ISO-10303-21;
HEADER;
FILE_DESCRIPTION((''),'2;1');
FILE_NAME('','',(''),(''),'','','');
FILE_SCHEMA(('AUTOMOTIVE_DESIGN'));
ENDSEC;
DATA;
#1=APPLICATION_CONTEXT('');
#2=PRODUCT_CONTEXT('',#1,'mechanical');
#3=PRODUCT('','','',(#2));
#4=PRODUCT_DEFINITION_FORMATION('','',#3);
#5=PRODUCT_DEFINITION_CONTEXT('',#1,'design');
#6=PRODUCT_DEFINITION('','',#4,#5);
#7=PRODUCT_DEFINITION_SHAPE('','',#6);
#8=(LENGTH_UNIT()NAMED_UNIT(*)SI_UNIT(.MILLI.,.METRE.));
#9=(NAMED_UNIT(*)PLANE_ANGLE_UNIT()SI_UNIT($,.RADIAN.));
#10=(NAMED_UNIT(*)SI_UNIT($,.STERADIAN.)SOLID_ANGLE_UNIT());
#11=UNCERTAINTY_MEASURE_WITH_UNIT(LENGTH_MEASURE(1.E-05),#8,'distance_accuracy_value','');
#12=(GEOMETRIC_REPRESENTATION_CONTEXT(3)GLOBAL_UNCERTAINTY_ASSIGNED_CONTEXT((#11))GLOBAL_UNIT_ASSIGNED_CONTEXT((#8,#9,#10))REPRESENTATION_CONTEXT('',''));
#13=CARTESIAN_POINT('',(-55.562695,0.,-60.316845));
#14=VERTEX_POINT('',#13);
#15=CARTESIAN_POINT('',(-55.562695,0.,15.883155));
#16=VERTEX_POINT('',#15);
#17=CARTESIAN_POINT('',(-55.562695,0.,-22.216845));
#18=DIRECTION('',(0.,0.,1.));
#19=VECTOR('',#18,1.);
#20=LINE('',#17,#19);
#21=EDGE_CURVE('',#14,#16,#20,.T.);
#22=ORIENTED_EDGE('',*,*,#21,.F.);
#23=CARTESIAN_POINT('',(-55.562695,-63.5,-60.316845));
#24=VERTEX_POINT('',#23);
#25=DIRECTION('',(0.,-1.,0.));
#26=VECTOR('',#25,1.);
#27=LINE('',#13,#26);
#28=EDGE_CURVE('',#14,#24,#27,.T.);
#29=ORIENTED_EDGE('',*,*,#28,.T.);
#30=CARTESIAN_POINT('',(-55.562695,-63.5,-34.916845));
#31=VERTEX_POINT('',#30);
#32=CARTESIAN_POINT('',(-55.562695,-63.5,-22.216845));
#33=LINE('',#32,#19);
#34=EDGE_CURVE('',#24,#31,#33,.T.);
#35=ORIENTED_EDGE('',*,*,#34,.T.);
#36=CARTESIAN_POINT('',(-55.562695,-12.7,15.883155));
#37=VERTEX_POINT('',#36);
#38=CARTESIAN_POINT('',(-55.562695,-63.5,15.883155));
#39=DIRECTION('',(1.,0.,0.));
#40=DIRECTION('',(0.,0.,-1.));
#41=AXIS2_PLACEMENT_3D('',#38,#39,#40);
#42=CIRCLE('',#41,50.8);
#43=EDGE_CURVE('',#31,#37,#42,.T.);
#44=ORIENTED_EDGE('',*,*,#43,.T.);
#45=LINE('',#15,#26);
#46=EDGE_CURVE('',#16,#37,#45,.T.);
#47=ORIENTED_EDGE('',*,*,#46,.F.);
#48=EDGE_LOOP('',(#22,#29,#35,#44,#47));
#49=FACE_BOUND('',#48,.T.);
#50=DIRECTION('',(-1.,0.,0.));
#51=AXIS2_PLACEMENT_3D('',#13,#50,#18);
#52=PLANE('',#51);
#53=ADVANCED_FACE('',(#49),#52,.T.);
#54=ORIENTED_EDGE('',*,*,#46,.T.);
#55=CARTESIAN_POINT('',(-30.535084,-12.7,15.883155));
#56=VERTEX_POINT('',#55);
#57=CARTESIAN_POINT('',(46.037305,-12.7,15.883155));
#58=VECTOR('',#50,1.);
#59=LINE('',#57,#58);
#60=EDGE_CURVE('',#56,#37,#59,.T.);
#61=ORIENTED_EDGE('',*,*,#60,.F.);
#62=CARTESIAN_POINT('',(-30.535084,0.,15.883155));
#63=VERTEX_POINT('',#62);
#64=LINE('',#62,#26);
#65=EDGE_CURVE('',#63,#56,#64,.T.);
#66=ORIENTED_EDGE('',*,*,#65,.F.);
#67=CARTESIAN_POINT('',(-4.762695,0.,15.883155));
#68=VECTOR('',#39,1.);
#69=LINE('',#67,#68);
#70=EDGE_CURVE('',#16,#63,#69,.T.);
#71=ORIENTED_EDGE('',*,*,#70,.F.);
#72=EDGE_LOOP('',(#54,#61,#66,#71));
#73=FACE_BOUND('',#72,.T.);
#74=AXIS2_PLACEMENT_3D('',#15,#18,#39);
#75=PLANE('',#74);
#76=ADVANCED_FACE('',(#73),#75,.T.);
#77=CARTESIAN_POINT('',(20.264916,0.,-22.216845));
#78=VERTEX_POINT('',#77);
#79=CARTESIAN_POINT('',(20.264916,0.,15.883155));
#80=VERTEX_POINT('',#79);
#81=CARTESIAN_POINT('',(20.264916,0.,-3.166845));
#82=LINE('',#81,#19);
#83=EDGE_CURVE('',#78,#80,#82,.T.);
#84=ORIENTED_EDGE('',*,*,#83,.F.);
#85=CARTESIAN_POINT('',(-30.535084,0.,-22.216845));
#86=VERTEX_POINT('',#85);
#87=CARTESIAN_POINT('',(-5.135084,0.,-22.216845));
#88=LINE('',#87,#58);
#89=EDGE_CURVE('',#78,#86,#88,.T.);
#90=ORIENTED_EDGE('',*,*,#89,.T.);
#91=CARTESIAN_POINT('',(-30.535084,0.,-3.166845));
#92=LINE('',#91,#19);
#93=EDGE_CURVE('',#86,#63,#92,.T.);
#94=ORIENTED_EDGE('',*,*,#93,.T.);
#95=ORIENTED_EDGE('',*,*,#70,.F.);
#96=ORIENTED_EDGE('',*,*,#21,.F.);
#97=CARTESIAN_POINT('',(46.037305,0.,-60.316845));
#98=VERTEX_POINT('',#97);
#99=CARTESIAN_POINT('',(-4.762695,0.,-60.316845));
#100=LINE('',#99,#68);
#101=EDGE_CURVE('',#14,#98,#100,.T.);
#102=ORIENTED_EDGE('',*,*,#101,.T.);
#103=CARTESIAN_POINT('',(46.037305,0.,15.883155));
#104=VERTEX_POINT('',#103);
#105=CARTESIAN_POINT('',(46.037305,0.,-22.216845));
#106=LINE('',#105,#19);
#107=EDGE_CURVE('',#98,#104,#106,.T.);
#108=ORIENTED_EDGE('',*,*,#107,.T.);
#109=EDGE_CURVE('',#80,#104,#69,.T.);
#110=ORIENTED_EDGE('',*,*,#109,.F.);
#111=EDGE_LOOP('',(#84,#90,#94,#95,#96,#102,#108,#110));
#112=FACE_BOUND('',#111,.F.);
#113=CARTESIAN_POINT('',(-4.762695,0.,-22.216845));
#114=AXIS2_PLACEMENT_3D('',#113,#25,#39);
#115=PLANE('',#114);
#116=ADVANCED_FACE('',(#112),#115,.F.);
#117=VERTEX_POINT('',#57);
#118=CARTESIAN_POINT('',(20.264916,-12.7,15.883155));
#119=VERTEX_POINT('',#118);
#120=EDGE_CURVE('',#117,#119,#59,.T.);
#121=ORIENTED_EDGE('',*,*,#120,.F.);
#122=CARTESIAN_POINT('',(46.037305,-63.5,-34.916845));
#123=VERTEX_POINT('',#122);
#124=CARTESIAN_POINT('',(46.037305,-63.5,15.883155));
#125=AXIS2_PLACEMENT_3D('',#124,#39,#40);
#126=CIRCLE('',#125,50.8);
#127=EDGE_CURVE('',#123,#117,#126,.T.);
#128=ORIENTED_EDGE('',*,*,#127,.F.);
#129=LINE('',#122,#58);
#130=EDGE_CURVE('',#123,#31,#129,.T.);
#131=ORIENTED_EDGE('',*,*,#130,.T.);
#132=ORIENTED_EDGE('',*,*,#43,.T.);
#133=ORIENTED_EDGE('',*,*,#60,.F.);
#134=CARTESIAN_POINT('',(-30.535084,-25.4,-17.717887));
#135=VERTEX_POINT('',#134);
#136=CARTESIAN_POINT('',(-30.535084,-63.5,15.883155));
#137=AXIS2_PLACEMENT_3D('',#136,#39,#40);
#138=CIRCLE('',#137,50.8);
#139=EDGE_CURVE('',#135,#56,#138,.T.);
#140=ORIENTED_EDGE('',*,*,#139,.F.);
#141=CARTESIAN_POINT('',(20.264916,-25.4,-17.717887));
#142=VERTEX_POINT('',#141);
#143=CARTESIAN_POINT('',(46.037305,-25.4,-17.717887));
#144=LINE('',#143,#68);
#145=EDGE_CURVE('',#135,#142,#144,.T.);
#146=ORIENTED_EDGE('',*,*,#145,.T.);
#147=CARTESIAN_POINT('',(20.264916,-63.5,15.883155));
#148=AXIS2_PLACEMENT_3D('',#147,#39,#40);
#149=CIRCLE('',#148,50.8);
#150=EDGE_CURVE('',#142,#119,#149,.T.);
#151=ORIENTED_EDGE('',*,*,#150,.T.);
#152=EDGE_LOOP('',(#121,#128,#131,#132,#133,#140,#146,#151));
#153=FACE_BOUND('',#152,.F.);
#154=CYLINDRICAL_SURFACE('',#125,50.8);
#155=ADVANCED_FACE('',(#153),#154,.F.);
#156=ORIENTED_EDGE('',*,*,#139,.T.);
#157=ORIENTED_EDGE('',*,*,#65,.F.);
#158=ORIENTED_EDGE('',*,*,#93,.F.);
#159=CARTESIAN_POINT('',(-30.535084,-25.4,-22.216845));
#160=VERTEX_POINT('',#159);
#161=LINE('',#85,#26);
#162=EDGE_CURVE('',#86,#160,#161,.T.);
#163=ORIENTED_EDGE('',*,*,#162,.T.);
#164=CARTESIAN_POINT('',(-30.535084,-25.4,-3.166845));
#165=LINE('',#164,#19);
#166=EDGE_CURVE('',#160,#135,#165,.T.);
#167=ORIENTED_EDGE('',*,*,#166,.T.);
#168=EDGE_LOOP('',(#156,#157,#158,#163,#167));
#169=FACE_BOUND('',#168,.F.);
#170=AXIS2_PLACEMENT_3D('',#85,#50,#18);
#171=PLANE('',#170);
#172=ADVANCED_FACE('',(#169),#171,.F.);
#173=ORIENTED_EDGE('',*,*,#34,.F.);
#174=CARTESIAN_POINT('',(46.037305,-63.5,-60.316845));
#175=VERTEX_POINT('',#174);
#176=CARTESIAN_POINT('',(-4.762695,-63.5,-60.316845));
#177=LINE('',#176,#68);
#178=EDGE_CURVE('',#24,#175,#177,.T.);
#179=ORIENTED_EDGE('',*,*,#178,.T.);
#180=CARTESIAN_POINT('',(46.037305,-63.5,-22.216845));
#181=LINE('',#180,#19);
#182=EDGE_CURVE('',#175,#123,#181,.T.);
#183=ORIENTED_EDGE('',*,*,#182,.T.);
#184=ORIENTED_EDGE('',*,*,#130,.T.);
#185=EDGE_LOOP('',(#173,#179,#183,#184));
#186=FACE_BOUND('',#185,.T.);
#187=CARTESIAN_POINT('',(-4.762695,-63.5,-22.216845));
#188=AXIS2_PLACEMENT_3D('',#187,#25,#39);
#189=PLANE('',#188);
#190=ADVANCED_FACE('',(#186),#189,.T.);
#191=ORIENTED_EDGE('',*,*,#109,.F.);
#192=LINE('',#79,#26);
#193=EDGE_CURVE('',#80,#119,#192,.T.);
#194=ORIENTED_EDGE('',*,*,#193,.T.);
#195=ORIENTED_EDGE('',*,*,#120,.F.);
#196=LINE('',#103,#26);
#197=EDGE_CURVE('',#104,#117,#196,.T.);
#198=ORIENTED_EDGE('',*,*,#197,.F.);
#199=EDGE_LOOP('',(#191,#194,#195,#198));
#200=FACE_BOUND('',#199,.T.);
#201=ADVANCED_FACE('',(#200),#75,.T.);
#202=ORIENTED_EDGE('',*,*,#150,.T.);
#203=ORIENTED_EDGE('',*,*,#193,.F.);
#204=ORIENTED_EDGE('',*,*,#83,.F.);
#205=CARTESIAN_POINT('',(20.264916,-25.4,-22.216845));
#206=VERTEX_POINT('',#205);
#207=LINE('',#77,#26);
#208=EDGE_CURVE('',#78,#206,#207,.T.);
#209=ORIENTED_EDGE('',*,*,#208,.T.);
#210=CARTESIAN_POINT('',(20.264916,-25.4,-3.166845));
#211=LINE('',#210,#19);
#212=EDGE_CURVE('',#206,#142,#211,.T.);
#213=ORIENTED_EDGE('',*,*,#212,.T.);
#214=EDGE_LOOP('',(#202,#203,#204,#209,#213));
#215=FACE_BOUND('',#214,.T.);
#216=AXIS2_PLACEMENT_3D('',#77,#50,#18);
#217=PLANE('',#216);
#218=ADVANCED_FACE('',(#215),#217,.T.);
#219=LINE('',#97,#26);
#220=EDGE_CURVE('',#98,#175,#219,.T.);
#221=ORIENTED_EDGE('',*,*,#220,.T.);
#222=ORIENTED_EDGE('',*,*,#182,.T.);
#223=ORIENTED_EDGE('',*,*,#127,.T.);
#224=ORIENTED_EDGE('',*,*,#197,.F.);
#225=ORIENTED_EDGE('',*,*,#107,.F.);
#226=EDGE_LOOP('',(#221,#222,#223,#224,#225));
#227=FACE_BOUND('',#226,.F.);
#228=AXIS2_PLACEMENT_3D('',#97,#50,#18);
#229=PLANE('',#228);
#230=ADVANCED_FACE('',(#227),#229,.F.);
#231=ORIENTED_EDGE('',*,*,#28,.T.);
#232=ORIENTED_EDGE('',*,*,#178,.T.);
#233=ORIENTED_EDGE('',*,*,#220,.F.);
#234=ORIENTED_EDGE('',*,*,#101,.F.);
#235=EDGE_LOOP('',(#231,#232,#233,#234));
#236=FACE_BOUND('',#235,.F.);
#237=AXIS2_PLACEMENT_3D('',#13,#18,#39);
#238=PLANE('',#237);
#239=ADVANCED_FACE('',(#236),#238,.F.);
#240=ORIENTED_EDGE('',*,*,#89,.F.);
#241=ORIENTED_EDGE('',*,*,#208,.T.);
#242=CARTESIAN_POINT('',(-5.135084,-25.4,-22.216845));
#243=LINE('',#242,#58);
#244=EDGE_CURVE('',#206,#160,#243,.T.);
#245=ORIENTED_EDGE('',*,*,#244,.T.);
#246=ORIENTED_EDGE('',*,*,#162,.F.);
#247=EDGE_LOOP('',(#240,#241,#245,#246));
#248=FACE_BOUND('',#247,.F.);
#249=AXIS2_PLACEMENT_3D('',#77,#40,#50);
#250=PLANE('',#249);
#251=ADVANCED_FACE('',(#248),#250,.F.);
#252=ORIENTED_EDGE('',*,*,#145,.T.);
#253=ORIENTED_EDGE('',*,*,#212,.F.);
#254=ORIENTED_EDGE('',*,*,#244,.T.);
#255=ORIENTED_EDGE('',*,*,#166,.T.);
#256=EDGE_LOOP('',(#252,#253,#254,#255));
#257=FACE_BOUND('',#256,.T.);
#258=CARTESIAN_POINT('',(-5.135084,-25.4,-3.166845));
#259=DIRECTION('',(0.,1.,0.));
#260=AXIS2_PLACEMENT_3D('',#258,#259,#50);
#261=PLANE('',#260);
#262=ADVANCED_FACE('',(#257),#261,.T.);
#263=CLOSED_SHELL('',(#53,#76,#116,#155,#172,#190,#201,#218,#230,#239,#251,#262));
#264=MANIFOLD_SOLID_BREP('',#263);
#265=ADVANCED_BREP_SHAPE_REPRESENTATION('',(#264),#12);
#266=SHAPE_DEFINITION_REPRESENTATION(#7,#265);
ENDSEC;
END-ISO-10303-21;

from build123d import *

# Parameters (mm, degrees)
F0_W     = 101.6
F0_H     = 76.2
F1_DEPTH = 63.5
F3_DEPTH = 101.6
F4_W     = 50.8
F4_H     = 38.1
F5_DEPTH = 25.4


with BuildPart() as f1:
    # F0 (on Front) → F1 (new body)
    with BuildSketch(Plane.XZ):
        with Locations((-4.7626945901, -22.2168454429)):
            Rectangle(F0_W, F0_H)
    extrude(amount=F1_DEPTH)

    # F2 (on face) → F3 (cut)
    with BuildSketch(Plane.YZ.offset(46.0373054099)):
        with BuildLine():
            ThreePointArc((-63.5, -34.9168454429), (-27.5789755157, -20.0378699272), (-12.7, 15.8831545571))
            Line((-12.7, 15.8831545571), (-63.5, 15.8831545571))
            Line((-63.5, 15.8831545571), (-63.5, -34.9168454429))
        make_face()
    extrude(amount=-F3_DEPTH, mode=Mode.SUBTRACT)

    # F4 (on face) → F5 (cut)
    with BuildSketch(Plane(origin=(0, 0, 0), x_dir=(-1, 0, 0), z_dir=(0, 1, 0))):
        with Locations((5.135083878, -3.1668454429)):
            Rectangle(F4_W, F4_H)
    extrude(amount=-F5_DEPTH, mode=Mode.SUBTRACT)


solid = f1.part
